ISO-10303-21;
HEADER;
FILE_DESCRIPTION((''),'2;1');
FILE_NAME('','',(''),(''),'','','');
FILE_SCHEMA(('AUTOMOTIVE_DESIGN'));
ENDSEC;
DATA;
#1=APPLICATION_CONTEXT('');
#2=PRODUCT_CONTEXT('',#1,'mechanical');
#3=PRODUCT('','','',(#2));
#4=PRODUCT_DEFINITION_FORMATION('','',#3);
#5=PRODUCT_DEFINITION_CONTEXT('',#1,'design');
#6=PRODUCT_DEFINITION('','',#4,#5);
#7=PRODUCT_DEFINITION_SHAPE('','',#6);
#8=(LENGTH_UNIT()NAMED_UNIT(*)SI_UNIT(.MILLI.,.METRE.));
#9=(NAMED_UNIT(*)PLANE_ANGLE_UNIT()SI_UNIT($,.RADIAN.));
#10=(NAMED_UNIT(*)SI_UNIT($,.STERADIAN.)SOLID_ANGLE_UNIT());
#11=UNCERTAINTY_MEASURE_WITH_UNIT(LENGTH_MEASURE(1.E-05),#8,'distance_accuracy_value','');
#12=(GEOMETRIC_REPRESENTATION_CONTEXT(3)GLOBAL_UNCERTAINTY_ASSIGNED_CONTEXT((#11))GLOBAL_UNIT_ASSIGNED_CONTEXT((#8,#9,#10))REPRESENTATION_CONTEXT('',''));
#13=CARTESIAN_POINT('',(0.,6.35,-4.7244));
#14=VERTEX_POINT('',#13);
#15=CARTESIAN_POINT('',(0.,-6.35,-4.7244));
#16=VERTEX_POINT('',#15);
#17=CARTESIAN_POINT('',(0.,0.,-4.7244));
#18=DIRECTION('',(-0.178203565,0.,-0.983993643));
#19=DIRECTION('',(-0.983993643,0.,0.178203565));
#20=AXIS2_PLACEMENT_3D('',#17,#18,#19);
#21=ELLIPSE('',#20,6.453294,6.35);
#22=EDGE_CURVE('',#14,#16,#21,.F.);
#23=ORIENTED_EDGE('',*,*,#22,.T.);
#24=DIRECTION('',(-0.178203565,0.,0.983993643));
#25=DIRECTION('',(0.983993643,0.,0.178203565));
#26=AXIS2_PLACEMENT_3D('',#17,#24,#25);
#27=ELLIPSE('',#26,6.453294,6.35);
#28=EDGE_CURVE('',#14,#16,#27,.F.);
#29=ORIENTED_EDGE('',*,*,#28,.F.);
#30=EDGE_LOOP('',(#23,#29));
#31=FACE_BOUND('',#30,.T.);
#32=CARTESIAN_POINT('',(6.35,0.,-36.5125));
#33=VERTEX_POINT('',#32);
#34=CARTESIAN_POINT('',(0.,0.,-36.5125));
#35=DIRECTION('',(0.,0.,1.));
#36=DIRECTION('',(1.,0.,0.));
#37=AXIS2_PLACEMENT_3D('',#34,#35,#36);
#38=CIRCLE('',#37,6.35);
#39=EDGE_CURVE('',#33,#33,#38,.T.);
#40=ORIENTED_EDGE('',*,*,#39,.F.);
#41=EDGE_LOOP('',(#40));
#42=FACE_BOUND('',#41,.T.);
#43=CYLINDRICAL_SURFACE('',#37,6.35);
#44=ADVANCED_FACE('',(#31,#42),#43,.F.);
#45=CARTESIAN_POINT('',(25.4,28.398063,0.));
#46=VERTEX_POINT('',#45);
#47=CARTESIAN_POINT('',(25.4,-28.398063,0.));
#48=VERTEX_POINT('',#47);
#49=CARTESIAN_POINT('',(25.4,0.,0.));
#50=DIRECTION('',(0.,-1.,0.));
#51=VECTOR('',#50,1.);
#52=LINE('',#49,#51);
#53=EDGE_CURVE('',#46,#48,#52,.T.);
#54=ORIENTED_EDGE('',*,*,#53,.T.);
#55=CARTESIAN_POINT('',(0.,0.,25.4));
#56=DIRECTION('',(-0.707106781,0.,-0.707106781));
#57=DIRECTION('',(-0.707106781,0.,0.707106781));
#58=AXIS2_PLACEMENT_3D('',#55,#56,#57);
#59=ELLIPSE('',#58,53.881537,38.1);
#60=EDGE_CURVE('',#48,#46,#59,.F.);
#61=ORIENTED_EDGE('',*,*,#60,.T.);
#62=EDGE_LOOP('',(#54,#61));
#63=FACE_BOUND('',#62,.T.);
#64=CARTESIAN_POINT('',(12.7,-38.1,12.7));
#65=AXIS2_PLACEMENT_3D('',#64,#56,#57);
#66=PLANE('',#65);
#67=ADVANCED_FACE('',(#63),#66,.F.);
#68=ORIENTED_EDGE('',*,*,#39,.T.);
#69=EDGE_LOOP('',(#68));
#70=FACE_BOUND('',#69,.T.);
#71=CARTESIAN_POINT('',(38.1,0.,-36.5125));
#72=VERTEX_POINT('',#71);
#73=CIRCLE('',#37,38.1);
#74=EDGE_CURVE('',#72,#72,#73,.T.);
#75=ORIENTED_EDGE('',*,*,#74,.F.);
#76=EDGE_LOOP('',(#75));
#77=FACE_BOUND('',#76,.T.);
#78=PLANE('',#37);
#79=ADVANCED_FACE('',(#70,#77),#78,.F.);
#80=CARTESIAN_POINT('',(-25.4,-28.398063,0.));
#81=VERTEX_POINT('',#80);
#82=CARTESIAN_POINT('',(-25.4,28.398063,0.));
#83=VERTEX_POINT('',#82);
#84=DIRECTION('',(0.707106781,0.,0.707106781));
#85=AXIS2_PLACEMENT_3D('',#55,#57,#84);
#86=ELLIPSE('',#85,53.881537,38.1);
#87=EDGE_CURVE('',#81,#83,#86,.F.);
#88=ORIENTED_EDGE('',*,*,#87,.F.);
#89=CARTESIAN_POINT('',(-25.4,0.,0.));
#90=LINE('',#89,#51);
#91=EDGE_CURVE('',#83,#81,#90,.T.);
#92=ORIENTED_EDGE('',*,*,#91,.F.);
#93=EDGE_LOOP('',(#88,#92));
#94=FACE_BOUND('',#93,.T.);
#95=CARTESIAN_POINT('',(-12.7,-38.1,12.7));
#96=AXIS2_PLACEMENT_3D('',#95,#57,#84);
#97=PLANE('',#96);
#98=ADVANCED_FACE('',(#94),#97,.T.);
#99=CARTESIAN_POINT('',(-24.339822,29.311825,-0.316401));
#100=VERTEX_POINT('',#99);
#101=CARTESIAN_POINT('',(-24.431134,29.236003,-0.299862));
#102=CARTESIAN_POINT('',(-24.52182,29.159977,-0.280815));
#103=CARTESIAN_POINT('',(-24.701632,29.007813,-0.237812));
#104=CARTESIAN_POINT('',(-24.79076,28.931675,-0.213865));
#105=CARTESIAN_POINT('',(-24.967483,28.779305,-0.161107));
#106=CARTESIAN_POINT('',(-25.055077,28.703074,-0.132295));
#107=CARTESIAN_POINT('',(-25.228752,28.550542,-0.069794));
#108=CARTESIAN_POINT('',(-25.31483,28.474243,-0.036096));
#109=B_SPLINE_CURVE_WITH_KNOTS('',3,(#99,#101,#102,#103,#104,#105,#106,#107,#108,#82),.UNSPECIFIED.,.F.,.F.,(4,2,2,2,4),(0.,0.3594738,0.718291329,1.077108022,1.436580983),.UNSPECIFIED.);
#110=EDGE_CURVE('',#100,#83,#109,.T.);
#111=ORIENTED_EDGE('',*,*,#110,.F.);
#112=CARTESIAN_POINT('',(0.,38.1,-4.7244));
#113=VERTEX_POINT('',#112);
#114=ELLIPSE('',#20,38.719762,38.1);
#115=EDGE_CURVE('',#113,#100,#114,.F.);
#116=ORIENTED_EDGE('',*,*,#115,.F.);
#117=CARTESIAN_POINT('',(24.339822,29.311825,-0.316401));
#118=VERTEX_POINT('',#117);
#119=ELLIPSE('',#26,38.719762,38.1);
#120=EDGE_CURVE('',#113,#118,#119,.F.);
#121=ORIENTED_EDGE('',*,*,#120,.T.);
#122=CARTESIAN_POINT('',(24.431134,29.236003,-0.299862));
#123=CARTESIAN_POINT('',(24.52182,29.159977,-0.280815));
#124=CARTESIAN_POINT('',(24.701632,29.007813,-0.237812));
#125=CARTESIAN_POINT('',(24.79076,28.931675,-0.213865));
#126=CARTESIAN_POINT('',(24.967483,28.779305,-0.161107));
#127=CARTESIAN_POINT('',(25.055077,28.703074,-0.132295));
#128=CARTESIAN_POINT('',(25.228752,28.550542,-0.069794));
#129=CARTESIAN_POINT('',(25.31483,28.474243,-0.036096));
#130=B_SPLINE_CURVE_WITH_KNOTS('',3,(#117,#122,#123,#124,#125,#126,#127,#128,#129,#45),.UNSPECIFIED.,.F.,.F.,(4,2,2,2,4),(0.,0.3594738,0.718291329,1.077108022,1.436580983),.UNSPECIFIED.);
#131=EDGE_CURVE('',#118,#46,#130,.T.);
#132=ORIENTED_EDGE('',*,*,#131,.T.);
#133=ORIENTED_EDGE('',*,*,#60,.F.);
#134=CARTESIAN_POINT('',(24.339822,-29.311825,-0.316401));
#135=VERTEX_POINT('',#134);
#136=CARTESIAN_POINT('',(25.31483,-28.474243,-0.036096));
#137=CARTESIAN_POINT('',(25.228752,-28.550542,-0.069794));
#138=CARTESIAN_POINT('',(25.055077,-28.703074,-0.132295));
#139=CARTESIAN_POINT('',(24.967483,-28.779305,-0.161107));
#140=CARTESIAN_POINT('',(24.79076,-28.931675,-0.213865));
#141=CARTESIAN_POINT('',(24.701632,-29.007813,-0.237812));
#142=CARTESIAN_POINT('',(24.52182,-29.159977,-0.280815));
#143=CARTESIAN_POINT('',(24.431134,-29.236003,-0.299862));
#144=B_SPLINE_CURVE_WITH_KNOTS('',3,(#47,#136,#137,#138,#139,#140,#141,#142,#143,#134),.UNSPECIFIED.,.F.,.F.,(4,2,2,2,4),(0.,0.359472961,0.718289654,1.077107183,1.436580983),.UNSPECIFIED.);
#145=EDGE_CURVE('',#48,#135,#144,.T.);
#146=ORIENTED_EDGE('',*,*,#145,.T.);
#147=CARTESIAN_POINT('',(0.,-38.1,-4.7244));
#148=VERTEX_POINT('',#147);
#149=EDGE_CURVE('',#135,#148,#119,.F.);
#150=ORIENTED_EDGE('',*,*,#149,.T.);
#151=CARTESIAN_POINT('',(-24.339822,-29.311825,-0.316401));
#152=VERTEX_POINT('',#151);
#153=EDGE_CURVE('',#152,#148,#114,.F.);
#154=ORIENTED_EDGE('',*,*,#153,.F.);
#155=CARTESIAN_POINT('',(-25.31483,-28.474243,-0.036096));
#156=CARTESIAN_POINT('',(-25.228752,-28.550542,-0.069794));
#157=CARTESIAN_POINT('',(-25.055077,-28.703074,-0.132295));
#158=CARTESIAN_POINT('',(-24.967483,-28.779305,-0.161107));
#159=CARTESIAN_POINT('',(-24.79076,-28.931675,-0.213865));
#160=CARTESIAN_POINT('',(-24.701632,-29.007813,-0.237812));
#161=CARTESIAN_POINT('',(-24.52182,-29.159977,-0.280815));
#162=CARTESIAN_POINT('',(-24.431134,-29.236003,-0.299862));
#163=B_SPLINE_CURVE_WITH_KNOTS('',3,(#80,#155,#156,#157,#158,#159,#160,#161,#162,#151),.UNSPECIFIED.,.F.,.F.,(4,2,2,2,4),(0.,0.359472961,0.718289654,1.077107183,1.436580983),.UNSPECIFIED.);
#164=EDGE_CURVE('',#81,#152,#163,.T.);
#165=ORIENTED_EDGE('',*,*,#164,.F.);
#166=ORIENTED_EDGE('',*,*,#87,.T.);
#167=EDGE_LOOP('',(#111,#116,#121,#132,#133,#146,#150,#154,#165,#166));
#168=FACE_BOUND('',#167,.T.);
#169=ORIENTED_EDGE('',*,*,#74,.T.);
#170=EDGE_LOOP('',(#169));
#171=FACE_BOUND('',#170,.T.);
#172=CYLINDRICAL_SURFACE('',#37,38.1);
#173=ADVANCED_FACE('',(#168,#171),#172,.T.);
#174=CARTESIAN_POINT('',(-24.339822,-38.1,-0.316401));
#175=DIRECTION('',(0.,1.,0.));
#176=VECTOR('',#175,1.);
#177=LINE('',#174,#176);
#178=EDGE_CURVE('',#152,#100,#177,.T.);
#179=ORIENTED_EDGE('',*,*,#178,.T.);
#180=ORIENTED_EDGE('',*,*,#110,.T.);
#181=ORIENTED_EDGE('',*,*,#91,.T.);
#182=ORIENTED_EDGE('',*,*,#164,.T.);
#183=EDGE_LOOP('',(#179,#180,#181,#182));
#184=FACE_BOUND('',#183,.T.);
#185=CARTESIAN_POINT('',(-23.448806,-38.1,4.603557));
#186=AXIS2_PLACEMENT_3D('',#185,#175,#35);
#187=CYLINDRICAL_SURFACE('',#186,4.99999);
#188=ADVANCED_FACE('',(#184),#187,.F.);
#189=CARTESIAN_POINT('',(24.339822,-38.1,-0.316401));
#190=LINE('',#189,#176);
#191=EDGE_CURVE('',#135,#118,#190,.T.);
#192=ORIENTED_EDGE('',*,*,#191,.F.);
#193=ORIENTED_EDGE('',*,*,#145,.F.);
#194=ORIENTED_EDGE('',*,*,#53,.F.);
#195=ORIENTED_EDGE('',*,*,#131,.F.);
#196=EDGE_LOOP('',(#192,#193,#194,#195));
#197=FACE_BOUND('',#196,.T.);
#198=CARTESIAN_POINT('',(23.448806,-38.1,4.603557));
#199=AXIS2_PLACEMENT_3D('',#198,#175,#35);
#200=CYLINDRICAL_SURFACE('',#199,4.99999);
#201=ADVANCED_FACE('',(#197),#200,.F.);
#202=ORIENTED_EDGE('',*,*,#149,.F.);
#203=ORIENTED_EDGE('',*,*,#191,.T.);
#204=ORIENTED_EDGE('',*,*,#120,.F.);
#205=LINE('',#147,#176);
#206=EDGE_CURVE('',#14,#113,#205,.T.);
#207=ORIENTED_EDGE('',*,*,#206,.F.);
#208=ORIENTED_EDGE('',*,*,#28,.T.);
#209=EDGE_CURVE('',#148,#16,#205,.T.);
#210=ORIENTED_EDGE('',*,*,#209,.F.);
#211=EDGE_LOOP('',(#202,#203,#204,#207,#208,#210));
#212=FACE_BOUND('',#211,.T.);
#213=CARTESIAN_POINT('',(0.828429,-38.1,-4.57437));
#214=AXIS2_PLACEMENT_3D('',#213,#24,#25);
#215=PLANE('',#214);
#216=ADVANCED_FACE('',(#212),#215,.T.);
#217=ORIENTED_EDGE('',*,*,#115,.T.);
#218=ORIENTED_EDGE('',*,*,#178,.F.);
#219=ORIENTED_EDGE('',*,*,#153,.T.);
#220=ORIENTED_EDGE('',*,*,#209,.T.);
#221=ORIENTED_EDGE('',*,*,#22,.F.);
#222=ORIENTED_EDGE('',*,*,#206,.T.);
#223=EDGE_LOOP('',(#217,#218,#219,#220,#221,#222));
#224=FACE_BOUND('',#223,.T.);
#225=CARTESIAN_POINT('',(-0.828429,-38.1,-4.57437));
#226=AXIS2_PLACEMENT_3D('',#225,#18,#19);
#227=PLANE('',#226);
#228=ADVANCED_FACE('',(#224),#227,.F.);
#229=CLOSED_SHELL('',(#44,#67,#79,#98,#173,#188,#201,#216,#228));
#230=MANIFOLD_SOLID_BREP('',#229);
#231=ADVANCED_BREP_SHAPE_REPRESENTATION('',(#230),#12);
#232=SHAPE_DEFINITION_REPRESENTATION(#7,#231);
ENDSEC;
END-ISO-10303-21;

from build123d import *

# Parameters (mm, degrees)
SKETCH1_R               = 38.1
SKETCH1_R_2             = 6.35
BOSS_EXTRUDE1_DEPTH     = 36.5125
CUT_EXTRUDE2_DEPTH      = 66.0875
CUT_EXTRUDE2_DEPTH_BACK = 66.0875


with BuildPart() as part:
    # Sketch1 → Boss-Extrude1 (new body)
    with BuildSketch(Plane.XY):
        Circle(SKETCH1_R)
        Circle(SKETCH1_R_2, mode=Mode.SUBTRACT)
    extrude(amount=-BOSS_EXTRUDE1_DEPTH)

    # Sketch2 → Cut-Extrude2 (cut, two sides: drawn at the far end of the back side and taken through both)
    with BuildSketch(Plane(origin=(0, 0, 0), x_dir=(1, 0, 0), z_dir=(0, 1, 0)).offset(-CUT_EXTRUDE2_DEPTH_BACK)):
        Polygon((-38.1, 12.7), (-38.1, 0), (-25.4, 0), align=None)
        with BuildLine():
            Line((0, 0), (0, 4.7244))
            Line((0, 4.7244), (-24.339821656, 0.316401004))
            ThreePointArc((-24.339821656, 0.316401004), (-24.878689325, 0.187614988), (-25.4, 0))
            Line((-25.4, 0), (0, 0))
        make_face()
        with BuildLine():
            Line((24.339821656, 0.316401004), (0, 4.7244))
            Line((0, 4.7244), (0, 0))
            Line((0, 0), (25.4, 0))
            ThreePointArc((25.4, 0), (24.878689325, 0.187614988), (24.339821656, 0.316401004))
        make_face()
        Polygon((38.1, 12.7), (38.1, 0), (25.4, 0), align=None)
    extrude(amount=CUT_EXTRUDE2_DEPTH + CUT_EXTRUDE2_DEPTH_BACK, mode=Mode.SUBTRACT)


solid = part.part
